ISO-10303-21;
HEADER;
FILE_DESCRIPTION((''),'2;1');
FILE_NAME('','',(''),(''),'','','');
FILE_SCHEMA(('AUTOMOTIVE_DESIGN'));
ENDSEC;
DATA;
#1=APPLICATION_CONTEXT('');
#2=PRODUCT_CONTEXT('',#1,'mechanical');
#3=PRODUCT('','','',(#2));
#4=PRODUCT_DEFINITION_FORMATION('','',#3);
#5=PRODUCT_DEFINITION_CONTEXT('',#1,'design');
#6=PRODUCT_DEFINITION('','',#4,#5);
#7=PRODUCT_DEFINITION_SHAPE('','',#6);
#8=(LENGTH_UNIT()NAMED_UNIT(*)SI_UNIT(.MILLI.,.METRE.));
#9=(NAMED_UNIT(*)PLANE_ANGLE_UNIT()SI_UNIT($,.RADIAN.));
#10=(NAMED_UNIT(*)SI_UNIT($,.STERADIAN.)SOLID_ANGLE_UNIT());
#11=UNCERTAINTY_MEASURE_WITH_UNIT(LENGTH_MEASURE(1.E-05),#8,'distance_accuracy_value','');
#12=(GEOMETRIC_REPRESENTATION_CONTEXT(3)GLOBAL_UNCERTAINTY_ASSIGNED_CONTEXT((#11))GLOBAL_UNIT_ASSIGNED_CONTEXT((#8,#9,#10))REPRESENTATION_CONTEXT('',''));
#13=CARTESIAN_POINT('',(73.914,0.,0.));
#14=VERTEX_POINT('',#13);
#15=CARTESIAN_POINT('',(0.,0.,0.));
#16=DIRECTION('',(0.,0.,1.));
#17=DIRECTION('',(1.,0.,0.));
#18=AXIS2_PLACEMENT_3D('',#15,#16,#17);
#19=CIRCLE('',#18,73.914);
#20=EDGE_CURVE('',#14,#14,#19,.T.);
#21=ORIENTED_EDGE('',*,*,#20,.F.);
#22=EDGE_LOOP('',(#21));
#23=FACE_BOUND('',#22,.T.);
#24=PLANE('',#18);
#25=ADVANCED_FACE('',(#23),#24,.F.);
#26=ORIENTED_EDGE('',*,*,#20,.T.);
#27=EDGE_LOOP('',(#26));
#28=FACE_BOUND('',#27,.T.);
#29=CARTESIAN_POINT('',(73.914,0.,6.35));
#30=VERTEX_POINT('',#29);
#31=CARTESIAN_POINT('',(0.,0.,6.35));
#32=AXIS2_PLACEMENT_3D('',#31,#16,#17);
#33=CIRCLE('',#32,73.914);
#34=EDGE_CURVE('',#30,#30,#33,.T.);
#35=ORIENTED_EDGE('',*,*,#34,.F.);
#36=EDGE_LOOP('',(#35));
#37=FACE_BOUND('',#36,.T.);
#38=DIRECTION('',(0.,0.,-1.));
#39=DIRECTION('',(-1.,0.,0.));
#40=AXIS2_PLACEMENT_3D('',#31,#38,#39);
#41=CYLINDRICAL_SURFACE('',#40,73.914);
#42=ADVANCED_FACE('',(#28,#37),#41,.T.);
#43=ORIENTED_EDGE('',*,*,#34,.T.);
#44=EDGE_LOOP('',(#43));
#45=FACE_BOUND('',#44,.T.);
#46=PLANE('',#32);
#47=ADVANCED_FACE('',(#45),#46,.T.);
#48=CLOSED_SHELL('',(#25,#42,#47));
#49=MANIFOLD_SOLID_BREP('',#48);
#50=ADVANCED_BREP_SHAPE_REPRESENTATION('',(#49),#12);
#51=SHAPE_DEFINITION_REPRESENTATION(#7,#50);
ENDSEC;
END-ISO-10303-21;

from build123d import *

# Parameters (mm, degrees)
ESQUISSE1_R        = 73.914
BOSS_EXTRU_1_DEPTH = 6.35


with BuildPart() as part:
    # Esquisse1 → Boss.-Extru.1 (new body)
    with BuildSketch(Plane.XY):
        Circle(ESQUISSE1_R)
    extrude(amount=BOSS_EXTRU_1_DEPTH)


solid = part.part
